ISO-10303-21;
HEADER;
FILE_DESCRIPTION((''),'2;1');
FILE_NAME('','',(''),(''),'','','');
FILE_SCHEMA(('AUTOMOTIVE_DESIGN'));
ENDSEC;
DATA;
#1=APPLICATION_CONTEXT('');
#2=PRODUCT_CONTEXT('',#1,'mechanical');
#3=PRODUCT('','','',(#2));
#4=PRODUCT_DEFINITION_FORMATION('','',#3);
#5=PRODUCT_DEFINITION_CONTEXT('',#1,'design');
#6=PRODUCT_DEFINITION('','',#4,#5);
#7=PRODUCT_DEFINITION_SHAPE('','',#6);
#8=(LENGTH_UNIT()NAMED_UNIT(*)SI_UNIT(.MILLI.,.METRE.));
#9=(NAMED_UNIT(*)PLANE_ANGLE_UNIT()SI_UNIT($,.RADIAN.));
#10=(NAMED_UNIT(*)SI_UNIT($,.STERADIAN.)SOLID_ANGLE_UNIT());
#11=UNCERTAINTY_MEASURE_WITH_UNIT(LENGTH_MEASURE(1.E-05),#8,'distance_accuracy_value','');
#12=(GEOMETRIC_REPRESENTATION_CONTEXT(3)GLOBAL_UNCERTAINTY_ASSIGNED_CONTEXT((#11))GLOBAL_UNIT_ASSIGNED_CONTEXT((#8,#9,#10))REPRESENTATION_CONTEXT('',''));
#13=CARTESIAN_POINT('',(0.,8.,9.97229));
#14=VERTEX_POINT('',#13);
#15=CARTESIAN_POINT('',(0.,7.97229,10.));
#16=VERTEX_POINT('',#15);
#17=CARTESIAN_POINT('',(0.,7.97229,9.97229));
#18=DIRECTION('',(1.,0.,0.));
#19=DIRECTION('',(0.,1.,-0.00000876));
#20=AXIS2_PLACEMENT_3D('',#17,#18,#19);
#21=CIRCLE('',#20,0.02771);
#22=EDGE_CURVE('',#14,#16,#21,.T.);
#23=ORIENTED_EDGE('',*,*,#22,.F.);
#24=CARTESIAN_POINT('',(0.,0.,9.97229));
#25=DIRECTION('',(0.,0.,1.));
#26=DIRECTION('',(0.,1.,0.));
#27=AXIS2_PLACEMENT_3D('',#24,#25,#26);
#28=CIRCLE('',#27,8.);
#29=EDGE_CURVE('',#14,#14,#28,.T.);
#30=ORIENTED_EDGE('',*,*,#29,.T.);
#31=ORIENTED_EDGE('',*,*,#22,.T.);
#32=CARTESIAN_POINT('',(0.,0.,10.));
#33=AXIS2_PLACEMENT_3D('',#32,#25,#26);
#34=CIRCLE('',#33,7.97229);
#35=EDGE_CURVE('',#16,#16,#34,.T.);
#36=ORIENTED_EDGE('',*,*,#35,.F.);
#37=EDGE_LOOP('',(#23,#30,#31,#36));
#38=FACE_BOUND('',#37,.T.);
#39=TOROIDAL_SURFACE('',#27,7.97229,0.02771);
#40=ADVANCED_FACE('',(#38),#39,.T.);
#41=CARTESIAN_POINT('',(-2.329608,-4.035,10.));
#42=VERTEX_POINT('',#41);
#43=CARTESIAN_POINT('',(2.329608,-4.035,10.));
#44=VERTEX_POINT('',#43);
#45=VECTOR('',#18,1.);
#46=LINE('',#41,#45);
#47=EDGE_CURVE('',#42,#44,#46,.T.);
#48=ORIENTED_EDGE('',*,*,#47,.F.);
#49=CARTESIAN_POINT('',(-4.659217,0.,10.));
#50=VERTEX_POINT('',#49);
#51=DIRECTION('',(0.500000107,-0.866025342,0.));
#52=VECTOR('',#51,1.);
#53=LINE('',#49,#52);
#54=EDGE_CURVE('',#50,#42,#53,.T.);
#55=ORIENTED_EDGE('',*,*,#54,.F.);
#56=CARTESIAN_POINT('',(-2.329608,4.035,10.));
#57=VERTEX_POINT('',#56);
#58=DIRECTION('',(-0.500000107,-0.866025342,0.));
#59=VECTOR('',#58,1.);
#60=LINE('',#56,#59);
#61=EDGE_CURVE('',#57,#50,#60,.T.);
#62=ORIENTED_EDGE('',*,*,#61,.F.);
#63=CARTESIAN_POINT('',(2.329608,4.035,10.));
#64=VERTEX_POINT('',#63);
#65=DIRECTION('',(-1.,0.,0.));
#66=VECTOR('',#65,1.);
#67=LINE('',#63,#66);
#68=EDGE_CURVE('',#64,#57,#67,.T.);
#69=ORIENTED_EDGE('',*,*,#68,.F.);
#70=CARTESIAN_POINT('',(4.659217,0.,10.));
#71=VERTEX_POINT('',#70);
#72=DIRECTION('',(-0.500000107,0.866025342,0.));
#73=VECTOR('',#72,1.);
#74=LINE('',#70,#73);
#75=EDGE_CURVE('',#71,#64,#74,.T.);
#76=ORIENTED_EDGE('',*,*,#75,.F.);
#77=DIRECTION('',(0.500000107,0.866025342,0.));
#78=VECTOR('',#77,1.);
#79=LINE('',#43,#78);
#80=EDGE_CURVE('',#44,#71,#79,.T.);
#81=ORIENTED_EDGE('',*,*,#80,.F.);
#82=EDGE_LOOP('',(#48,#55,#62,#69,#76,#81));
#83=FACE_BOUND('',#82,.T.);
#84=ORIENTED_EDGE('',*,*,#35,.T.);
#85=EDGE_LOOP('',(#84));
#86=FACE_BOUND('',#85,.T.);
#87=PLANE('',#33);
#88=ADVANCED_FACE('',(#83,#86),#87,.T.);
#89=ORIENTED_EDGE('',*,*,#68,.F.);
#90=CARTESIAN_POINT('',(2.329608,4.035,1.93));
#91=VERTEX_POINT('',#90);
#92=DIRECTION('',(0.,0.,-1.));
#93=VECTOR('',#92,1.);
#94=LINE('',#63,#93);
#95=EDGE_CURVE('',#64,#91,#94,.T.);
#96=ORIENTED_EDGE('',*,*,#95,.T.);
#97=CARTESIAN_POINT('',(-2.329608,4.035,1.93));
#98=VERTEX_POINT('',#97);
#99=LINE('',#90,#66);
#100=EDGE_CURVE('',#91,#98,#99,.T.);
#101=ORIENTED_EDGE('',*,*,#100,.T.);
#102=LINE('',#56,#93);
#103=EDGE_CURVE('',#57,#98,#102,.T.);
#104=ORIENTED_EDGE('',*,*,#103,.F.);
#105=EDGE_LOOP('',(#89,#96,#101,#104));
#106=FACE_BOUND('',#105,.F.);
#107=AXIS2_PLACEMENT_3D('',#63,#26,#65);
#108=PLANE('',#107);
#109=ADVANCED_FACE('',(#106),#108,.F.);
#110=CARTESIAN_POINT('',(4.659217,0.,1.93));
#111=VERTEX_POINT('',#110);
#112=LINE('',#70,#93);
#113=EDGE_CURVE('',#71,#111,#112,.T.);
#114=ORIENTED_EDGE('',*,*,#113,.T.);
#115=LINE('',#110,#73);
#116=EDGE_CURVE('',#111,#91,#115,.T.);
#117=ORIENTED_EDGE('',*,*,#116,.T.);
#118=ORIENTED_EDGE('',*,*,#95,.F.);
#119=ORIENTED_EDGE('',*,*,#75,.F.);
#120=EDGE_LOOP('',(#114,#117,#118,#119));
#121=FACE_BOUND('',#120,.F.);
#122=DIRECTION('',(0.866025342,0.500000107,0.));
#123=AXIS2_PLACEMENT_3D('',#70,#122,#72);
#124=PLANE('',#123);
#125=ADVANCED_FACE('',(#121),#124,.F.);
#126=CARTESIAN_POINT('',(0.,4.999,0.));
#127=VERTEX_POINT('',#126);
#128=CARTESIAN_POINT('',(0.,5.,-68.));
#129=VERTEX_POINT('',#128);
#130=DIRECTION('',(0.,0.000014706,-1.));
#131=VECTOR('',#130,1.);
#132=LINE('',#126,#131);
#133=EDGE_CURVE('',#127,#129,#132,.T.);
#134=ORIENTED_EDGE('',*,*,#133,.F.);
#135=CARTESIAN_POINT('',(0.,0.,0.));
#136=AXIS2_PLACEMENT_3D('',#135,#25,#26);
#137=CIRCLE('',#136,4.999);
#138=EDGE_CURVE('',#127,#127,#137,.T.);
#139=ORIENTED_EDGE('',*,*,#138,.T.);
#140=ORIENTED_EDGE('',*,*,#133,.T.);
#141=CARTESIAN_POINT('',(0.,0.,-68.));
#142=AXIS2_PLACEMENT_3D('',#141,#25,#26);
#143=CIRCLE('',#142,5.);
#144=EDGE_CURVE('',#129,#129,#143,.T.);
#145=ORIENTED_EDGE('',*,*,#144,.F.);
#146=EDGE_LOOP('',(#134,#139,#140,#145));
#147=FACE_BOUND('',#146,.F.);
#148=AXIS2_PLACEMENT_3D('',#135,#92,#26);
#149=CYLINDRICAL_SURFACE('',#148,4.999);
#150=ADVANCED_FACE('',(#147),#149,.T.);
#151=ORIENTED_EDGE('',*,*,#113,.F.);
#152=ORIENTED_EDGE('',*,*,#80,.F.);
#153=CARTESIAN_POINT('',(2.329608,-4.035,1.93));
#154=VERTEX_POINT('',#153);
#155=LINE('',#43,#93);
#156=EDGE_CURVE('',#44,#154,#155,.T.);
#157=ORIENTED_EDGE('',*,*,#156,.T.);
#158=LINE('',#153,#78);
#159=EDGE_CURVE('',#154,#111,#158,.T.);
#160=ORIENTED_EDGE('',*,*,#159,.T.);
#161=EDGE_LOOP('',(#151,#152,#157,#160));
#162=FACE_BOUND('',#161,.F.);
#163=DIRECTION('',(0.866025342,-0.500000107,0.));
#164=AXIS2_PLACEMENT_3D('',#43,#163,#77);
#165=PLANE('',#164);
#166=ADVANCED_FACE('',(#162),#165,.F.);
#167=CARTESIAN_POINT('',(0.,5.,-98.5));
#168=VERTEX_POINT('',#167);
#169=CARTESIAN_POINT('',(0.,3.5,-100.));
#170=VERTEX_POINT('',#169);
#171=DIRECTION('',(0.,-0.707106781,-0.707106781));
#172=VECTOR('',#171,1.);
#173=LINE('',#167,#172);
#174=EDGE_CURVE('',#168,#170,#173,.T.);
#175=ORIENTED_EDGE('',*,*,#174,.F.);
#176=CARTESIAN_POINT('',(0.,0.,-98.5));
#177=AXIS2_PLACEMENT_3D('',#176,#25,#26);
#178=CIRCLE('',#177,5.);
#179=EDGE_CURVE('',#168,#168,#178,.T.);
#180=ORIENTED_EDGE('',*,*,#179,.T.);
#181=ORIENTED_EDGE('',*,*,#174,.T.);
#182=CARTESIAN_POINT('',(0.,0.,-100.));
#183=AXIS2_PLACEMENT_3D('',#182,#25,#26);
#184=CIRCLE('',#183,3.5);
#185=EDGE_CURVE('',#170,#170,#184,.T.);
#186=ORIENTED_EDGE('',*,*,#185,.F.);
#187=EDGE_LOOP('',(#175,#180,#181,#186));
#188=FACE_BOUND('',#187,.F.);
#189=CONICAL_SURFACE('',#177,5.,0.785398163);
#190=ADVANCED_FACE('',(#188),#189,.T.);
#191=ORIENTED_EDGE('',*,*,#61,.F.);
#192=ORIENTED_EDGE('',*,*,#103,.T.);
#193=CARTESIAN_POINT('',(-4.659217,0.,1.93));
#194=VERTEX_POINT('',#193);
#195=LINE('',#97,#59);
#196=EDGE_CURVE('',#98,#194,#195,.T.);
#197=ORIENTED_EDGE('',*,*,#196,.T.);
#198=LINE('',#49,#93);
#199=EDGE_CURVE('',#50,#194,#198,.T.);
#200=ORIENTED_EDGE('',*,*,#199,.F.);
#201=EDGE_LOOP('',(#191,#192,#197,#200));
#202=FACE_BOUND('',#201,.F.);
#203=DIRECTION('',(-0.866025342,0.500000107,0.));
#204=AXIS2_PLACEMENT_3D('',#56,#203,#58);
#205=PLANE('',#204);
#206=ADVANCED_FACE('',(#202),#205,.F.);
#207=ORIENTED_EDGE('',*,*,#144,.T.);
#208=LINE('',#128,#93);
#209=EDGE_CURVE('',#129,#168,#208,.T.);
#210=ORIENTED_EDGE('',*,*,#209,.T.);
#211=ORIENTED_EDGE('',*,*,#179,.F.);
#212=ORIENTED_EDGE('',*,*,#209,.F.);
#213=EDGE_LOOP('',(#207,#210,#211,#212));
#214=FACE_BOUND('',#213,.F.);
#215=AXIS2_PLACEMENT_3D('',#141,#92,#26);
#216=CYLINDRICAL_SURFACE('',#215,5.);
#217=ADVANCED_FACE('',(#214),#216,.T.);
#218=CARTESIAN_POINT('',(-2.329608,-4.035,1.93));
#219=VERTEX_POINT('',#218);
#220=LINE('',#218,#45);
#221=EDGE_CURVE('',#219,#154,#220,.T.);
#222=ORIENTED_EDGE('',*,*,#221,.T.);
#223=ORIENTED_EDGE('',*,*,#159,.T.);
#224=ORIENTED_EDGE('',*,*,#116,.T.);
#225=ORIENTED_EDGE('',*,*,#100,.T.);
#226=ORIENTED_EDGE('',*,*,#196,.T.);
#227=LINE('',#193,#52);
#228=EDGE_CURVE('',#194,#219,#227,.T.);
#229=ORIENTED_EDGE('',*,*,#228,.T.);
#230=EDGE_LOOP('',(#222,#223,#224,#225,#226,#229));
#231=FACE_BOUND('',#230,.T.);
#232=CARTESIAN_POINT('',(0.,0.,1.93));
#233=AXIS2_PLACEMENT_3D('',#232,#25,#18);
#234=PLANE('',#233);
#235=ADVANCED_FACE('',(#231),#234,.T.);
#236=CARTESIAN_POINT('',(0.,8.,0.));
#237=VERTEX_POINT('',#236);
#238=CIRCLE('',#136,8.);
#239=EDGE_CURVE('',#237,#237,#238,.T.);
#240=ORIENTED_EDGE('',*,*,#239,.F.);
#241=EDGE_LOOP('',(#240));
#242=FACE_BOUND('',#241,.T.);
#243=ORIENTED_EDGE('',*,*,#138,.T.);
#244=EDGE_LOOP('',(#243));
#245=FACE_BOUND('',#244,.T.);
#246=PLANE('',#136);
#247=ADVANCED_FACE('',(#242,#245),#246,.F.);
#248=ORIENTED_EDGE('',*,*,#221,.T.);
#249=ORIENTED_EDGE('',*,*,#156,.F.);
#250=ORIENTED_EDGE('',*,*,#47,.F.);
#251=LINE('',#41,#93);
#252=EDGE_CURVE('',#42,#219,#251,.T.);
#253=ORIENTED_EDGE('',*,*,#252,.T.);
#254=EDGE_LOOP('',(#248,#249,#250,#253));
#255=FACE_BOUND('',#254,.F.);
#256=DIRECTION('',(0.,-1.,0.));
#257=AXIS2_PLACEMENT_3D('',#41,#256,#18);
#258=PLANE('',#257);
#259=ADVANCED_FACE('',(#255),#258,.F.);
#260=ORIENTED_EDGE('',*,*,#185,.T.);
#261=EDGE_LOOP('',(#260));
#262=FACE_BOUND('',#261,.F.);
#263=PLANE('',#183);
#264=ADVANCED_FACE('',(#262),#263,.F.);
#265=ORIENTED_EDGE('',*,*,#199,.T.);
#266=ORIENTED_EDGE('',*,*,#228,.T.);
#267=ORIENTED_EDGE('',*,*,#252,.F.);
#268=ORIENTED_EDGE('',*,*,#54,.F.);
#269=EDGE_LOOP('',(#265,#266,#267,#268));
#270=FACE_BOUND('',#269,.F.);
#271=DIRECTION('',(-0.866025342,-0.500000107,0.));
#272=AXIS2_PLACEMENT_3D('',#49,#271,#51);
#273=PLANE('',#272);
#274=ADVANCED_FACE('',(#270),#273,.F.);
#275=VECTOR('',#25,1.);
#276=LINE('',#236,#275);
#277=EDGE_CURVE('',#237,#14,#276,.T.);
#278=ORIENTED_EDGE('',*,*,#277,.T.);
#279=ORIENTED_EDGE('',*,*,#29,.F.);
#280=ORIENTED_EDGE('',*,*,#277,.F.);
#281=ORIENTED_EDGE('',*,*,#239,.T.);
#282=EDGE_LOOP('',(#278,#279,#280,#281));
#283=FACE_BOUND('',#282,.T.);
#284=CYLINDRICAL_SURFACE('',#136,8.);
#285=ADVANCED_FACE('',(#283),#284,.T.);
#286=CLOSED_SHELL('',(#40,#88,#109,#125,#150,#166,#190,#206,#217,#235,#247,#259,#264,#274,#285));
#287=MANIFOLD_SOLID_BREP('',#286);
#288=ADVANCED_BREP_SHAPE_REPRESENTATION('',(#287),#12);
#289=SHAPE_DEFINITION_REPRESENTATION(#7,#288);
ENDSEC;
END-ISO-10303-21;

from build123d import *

# Parameters (mm, degrees)
POCKET_DEPTH = 8.07


with BuildPart() as part:
    # Sketch → Revolve (revolve)
    with BuildSketch(Plane.YZ):
        with BuildLine():
            Line((4.999, 0), (8, 0))
            Line((8, 0), (8, 9.97229))
            ThreePointArc((8, 9.97229), (7.991884, 9.991884), (7.97229, 10))
            Line((7.97229, 10), (0, 10))
            Line((0, -100), (0, 10))
            Line((3.5, -100), (0, -100))
            Line((5, -98.5), (3.5, -100))
            Line((5, -68), (5, -98.5))
            Line((4.999, 0), (5, -68))
        make_face()
    revolve(axis=Axis((0, 0, 0), (0, 0, 1)))

    # Sketch001 → Pocket (cut)
    with BuildSketch(Plane.XY.offset(10)):
        Polygon((4.659217, 0), (2.329608, 4.035), (-2.329608, 4.035), (-4.659217, 0), (-2.329608, -4.035), (2.329608, -4.035), align=None)
    extrude(amount=-POCKET_DEPTH, mode=Mode.SUBTRACT)


solid = part.part
